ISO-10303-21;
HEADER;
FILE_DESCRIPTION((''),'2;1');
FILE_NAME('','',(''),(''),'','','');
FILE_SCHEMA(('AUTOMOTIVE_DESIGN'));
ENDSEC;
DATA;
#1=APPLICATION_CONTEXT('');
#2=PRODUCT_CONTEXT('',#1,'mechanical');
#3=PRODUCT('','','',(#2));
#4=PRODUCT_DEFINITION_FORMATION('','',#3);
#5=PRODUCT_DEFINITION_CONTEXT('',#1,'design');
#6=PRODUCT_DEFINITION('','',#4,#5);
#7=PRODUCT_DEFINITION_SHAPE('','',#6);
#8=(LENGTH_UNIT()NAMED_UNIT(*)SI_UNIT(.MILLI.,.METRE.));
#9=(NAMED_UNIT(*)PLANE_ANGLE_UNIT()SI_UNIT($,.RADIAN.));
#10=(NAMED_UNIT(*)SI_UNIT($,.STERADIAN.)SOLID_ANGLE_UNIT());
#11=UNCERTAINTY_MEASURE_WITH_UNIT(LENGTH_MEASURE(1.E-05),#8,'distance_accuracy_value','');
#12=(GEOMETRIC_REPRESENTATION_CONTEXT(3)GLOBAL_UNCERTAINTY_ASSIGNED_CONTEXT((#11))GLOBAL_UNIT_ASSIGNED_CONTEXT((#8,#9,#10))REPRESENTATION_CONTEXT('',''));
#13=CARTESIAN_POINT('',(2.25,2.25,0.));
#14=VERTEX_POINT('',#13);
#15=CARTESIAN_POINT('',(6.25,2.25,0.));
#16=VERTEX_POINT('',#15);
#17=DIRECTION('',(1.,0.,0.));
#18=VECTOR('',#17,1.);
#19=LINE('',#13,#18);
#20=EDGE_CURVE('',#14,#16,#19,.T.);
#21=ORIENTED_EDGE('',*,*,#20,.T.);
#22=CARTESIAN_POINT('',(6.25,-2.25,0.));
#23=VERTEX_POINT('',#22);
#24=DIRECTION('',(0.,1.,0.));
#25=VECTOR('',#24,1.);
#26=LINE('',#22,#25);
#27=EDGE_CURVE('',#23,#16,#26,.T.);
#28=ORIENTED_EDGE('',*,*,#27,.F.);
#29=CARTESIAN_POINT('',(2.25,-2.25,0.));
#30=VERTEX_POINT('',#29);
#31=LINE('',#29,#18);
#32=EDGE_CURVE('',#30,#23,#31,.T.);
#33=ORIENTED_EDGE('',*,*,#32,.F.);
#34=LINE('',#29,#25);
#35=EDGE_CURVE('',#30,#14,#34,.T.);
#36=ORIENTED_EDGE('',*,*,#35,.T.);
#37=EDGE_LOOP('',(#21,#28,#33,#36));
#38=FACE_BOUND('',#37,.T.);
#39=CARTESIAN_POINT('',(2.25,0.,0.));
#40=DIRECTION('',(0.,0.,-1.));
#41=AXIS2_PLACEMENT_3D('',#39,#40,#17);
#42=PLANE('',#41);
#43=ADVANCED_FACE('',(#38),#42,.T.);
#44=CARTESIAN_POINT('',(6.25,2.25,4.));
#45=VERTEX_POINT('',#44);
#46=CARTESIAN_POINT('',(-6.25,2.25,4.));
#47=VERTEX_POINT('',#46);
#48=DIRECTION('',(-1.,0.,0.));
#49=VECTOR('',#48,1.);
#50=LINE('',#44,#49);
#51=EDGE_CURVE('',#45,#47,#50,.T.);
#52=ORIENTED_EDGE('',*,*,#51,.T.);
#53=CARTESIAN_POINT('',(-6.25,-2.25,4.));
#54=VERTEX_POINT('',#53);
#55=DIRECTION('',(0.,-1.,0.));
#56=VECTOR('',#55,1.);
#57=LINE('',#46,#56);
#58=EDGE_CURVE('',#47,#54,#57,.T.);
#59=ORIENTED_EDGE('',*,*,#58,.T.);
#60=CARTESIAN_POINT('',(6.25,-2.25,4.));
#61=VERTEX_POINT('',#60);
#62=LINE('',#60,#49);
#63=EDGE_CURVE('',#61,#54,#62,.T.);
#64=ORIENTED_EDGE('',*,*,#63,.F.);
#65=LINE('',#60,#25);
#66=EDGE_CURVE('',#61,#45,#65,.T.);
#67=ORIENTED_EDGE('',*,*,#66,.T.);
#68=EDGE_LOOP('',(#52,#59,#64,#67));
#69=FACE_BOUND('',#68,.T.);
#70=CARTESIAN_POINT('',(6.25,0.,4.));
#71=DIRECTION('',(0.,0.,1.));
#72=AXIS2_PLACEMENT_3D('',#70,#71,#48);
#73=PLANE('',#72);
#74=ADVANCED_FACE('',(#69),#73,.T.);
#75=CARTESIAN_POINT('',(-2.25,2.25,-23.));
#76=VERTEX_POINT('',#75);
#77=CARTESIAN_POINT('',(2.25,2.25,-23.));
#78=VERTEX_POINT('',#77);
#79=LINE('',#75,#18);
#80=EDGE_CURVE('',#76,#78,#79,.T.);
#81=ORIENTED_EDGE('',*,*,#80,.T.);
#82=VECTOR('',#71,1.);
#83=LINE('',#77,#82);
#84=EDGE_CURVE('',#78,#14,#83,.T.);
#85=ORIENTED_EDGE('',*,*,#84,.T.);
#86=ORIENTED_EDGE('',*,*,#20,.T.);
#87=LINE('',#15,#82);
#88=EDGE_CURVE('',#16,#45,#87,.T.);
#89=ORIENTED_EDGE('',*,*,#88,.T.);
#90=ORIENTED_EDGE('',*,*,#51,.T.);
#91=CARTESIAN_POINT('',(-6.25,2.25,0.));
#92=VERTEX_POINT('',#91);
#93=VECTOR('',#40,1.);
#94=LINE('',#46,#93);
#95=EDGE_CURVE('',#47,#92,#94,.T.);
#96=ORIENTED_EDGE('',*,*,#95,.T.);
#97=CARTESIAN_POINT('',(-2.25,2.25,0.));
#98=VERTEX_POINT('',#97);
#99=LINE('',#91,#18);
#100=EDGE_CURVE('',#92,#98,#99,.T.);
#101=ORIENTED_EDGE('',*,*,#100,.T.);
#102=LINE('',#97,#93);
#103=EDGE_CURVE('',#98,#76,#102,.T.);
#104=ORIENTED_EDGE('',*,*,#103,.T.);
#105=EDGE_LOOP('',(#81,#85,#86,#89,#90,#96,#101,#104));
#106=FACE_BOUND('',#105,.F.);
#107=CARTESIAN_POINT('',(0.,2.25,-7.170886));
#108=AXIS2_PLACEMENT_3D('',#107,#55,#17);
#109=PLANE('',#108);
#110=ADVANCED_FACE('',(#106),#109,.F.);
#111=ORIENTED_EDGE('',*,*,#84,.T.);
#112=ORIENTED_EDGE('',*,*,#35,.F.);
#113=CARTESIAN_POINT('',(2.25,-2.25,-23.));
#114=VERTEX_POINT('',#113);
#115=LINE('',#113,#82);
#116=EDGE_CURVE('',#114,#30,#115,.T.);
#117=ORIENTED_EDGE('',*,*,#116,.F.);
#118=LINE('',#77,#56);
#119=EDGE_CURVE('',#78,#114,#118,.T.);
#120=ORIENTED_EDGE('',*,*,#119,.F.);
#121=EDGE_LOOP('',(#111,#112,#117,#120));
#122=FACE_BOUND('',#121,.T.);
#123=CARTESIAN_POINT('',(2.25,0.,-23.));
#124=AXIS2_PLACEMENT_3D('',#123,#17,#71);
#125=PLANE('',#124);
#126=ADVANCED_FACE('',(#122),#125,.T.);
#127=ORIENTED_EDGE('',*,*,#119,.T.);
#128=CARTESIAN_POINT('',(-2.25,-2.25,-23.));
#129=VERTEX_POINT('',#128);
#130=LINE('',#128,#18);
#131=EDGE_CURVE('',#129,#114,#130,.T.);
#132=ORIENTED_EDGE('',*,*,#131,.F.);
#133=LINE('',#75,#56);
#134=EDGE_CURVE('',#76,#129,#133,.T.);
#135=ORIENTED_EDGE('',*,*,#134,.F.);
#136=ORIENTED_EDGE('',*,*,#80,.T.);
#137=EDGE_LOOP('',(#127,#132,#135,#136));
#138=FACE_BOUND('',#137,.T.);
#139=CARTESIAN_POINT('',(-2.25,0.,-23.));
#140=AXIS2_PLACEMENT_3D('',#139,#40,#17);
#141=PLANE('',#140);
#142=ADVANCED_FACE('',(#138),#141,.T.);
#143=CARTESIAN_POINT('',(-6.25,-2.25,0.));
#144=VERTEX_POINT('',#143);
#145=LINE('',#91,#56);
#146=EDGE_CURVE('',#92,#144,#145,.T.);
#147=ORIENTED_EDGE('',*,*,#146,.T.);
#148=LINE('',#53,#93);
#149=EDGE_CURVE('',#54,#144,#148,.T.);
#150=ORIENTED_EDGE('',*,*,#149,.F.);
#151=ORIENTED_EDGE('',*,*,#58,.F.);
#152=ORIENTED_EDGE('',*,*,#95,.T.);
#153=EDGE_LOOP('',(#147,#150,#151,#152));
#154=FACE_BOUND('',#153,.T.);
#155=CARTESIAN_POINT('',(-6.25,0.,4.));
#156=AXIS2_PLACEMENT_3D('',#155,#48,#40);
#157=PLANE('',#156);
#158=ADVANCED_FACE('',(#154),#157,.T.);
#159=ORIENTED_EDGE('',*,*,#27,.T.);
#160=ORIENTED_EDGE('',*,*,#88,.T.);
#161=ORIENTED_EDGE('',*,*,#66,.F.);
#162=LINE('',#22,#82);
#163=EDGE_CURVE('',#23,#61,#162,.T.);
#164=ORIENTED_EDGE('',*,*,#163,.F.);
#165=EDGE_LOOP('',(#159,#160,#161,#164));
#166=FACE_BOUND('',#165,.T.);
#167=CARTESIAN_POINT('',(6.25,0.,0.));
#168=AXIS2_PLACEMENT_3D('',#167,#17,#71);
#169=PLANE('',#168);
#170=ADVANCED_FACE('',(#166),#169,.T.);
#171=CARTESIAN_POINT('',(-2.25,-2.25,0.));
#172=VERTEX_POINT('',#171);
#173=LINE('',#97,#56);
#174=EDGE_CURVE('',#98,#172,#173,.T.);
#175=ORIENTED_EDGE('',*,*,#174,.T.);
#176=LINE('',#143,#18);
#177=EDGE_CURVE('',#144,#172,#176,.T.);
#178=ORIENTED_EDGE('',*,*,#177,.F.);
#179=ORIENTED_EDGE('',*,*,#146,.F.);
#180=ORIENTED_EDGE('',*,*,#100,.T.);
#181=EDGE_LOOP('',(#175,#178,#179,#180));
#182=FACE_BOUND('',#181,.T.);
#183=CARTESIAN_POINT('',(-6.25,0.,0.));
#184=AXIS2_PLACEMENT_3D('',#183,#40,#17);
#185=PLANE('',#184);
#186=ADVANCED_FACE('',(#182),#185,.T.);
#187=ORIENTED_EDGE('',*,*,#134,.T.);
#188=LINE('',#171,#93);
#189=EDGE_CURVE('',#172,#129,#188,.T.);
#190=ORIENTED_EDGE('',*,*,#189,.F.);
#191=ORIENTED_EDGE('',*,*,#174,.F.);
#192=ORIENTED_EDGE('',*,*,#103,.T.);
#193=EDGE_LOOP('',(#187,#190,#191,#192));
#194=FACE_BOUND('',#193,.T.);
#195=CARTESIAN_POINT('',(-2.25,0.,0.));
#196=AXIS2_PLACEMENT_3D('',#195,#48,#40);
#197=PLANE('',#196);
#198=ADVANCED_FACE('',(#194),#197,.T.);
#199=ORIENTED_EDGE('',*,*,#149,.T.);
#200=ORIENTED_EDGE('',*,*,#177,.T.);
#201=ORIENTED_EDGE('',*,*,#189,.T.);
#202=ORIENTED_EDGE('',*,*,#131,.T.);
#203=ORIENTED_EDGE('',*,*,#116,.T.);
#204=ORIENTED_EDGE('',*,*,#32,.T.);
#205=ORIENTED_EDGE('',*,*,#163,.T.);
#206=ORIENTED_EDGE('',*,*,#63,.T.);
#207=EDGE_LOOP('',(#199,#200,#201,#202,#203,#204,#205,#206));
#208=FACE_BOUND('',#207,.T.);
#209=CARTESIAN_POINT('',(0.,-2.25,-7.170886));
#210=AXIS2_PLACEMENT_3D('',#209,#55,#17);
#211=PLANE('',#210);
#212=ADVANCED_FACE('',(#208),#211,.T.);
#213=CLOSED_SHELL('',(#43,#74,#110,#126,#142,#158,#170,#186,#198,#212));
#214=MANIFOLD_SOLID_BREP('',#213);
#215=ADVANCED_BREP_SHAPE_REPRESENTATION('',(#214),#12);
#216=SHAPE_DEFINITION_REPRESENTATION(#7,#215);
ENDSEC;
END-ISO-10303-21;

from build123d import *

# Parameters (mm, degrees)
F1_DEPTH      = 2.25
F1_DEPTH_BACK = 2.25


with BuildPart() as f1:
    # F0 (on Front) → F1 (new body, two sides)
    with BuildSketch(Plane.XZ) as f1_sk:
        Polygon((6.25, 4), (-6.25, 4), (-6.25, 0), (-2.25, 0), (-2.25, -23), (2.25, -23), (2.25, 0), (6.25, 0), align=None)
    extrude(amount=F1_DEPTH)
    extrude(f1_sk.sketch, amount=-F1_DEPTH_BACK)


solid = f1.part
